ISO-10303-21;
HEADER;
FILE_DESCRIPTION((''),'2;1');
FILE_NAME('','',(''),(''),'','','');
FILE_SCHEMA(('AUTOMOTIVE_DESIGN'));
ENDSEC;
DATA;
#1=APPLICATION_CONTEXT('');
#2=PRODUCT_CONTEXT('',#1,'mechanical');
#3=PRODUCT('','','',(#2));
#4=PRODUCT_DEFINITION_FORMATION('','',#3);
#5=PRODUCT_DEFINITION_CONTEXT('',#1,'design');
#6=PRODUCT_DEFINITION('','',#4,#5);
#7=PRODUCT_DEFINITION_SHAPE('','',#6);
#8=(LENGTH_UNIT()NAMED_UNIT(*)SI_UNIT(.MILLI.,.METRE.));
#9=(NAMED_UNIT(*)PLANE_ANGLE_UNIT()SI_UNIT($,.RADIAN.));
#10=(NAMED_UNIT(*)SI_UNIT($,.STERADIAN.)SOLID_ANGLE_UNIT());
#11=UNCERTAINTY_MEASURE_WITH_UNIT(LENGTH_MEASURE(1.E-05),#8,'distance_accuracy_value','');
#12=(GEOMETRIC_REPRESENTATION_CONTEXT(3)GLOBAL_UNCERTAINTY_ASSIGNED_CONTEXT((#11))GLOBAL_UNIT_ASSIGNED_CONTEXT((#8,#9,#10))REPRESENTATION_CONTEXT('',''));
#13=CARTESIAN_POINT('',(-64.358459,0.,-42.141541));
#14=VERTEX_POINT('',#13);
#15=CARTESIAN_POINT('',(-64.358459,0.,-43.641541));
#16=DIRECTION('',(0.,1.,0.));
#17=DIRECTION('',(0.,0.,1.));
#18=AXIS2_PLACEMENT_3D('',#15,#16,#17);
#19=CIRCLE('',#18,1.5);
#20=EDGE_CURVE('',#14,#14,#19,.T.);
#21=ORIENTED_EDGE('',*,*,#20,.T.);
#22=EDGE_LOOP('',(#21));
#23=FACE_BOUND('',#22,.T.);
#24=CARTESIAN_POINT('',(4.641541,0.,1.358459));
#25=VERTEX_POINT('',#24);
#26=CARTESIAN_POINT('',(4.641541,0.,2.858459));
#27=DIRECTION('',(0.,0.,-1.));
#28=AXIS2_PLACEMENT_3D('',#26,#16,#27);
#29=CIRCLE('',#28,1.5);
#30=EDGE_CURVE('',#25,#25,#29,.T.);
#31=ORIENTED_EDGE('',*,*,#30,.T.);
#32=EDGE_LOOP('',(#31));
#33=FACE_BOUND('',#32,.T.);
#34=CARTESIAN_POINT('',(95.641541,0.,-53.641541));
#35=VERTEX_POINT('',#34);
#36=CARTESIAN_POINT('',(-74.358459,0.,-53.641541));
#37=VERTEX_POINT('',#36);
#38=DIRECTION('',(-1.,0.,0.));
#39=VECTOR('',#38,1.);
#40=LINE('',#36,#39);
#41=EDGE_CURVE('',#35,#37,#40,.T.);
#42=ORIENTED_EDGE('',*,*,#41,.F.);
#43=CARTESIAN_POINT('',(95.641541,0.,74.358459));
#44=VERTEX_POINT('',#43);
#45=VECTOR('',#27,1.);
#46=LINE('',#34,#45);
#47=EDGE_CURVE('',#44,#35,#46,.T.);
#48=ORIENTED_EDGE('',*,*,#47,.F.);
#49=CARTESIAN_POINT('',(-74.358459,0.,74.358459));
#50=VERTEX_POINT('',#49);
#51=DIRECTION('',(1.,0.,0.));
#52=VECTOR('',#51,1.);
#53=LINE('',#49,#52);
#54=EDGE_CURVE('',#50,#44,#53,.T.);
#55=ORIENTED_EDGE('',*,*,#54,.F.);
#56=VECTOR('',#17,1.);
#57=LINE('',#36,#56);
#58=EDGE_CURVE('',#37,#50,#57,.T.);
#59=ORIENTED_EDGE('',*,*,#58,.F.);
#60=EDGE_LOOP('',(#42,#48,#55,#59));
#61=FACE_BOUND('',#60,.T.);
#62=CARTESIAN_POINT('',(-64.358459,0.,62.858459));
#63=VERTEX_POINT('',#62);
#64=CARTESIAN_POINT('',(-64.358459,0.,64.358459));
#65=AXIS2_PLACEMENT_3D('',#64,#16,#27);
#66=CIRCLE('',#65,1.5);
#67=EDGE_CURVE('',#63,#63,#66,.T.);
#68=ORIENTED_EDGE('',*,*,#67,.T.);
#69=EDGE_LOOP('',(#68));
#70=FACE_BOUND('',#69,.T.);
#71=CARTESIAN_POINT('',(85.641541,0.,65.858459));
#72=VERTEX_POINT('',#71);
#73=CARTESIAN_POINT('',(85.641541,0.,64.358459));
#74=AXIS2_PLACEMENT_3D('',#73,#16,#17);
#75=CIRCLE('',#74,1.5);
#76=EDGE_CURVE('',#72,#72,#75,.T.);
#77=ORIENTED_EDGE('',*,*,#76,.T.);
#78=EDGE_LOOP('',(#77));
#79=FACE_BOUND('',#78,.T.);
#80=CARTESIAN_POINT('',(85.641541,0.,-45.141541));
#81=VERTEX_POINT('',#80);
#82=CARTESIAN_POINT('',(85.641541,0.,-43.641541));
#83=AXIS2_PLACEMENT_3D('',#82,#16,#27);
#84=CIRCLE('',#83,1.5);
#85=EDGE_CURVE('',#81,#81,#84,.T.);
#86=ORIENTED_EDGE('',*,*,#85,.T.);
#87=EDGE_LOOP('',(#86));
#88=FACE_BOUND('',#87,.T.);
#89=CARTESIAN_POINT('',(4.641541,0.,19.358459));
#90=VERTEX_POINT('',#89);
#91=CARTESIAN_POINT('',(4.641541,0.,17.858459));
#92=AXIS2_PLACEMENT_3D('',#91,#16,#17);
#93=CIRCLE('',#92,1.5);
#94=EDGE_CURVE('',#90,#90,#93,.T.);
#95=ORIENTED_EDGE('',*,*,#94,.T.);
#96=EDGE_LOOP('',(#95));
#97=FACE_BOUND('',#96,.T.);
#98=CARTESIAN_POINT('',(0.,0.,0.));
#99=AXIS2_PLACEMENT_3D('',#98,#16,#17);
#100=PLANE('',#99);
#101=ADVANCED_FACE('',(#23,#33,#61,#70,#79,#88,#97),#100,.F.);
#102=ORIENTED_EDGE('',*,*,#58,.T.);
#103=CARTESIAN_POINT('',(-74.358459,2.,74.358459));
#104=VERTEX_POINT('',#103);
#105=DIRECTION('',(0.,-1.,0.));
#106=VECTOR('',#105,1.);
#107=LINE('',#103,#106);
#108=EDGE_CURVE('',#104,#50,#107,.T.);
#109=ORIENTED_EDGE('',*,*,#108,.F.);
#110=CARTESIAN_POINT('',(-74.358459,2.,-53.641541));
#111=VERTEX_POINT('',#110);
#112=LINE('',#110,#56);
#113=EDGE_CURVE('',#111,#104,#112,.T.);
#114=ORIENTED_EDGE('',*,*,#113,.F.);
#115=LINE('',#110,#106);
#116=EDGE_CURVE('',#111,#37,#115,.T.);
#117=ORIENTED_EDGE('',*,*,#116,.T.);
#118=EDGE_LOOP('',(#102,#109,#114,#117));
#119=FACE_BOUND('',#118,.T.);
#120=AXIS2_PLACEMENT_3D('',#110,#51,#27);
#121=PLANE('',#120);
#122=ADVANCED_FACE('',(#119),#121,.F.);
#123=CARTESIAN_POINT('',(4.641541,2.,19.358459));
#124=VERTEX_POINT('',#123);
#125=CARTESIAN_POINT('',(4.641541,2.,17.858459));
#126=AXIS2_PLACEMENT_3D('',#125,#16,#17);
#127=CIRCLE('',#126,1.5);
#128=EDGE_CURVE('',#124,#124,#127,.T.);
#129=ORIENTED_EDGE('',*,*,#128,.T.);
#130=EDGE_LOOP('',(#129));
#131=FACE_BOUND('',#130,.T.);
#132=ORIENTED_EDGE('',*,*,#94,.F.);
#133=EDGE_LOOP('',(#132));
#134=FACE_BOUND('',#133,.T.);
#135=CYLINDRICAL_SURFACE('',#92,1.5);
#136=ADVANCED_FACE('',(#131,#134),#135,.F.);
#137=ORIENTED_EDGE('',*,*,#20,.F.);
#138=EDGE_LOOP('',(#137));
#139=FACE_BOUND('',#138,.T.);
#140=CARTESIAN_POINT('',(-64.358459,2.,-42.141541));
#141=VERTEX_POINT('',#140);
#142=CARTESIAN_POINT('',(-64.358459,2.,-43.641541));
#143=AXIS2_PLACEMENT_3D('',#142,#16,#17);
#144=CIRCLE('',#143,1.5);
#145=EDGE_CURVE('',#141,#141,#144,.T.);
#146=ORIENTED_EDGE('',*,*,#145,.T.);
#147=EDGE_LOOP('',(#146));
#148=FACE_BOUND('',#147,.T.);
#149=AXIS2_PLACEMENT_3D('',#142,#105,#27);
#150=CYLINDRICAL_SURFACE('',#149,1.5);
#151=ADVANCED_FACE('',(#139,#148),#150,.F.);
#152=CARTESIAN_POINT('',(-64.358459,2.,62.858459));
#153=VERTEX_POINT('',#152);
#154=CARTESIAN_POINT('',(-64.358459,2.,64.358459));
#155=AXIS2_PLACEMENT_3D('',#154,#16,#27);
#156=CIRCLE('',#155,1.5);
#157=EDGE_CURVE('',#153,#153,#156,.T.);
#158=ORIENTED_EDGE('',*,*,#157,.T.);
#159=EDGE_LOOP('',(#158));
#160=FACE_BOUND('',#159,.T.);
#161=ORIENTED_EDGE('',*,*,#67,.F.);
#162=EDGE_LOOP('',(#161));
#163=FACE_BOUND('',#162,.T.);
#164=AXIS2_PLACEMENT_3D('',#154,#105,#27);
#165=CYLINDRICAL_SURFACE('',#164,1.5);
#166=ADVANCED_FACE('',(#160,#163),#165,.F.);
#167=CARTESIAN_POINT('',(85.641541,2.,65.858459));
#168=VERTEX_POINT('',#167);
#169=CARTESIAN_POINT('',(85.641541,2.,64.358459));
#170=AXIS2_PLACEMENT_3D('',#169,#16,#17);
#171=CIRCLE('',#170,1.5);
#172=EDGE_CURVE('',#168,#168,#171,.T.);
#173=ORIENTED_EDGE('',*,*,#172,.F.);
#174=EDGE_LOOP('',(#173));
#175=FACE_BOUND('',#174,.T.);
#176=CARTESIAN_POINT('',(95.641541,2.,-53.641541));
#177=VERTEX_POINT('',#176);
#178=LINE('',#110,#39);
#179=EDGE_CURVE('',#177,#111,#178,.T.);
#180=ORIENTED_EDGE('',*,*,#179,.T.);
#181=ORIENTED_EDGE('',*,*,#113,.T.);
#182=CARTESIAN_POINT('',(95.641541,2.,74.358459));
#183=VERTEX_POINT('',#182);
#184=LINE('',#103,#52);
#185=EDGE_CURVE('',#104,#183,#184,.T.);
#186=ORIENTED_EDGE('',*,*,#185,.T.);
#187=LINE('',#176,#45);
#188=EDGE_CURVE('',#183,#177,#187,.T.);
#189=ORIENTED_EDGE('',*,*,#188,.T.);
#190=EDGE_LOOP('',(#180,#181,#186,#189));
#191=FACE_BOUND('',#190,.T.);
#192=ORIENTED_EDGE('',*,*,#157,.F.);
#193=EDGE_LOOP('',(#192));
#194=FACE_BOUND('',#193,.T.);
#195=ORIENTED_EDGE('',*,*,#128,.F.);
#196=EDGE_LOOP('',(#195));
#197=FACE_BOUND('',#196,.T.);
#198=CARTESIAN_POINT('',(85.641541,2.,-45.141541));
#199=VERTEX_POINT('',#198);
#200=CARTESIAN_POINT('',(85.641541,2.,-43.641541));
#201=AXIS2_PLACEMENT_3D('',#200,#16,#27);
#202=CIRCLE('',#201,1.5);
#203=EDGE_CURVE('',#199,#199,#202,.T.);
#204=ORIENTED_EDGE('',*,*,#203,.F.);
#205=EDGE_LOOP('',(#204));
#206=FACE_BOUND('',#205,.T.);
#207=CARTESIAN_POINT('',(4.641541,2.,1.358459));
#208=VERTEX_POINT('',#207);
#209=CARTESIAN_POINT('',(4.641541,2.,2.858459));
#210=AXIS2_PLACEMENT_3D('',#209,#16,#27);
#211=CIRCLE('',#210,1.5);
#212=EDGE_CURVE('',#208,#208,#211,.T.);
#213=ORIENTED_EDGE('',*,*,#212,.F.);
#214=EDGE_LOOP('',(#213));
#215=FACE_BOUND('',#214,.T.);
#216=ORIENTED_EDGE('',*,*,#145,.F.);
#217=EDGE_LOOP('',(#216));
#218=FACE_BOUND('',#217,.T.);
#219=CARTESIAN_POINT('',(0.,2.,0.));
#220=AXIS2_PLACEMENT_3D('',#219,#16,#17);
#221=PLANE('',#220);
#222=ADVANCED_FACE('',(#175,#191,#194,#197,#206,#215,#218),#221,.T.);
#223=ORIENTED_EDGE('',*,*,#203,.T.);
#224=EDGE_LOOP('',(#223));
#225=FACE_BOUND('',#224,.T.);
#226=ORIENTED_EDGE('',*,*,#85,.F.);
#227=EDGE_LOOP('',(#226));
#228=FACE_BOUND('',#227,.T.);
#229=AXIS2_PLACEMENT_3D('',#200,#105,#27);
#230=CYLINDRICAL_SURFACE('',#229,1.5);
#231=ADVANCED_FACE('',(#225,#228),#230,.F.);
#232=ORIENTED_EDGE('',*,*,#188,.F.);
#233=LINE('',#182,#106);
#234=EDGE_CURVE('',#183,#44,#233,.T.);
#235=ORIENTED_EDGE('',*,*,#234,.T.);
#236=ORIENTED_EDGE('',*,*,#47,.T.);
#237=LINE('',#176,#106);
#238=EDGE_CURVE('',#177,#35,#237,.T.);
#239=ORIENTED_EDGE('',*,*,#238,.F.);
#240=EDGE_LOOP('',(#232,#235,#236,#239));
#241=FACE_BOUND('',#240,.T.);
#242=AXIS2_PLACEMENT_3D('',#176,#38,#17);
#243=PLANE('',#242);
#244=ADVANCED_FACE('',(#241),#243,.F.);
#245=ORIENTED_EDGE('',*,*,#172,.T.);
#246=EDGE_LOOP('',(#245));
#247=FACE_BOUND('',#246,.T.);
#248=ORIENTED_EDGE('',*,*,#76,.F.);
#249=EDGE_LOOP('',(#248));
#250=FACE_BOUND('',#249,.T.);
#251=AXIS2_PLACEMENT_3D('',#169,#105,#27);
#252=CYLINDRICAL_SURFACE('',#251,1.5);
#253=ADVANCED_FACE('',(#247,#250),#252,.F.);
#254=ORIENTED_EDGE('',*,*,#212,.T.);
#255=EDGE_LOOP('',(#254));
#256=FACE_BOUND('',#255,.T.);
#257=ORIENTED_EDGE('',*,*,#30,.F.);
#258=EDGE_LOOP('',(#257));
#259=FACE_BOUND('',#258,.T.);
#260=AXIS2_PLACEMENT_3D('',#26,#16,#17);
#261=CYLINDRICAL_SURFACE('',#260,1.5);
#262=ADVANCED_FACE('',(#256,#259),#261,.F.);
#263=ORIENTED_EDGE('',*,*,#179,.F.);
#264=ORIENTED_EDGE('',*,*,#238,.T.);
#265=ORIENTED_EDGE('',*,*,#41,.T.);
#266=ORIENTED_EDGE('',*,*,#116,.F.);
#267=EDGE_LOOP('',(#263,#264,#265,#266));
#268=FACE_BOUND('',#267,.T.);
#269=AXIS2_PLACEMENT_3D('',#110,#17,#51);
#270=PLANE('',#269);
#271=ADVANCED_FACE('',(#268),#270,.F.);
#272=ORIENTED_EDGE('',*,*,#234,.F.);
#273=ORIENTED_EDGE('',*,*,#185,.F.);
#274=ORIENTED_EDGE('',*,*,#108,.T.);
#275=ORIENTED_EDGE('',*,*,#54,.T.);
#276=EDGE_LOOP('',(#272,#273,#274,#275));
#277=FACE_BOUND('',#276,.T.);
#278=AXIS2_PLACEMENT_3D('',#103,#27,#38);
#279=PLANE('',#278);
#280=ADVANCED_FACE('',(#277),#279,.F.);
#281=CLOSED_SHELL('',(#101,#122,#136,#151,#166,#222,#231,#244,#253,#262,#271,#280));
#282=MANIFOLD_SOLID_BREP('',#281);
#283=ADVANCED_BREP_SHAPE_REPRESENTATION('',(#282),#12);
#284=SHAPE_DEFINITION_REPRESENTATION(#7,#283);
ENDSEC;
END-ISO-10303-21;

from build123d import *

# Parameters (mm, degrees)
SKETCH_1_W          = 170
SKETCH_1_H          = 128
SKETCH_1_R          = 1.5
EXTRUDE_1_DEPTH     = 2
SKETCH_2_R          = 1.5
CUT_EXTRUDE_1_DEPTH = 3


with BuildPart() as part:
    # Эскиз1 → Бобышка-Вытянуть1 (new body)
    with BuildSketch(Plane(origin=(0, 0, 0), x_dir=(1, 0, 0), z_dir=(0, 1, 0))):
        with Locations((10.64154107, -10.35845893)):
            Rectangle(SKETCH_1_W, SKETCH_1_H)
        with Locations((-64.35845893, 43.64154107)):
            Circle(SKETCH_1_R, mode=Mode.SUBTRACT)
        with Locations((85.64154107, 43.64154107)):
            Circle(SKETCH_1_R, mode=Mode.SUBTRACT)
        with Locations((85.64154107, -64.35845893)):
            Circle(SKETCH_1_R, mode=Mode.SUBTRACT)
        with Locations((-64.35845893, -64.35845893)):
            Circle(SKETCH_1_R, mode=Mode.SUBTRACT)
    extrude(amount=EXTRUDE_1_DEPTH)

    # Эскиз2 → Вырез-Вытянуть1 (cut, through all)
    with BuildSketch(Plane(origin=(0, 2, 0), x_dir=(1, 0, 0), z_dir=(0, 1, 0))):
        with Locations((4.64154107, -17.85845893)):
            Circle(SKETCH_2_R)
        with Locations((4.64154107, -2.85845893)):
            Circle(SKETCH_2_R)
    extrude(amount=-CUT_EXTRUDE_1_DEPTH, mode=Mode.SUBTRACT)


solid = part.part
